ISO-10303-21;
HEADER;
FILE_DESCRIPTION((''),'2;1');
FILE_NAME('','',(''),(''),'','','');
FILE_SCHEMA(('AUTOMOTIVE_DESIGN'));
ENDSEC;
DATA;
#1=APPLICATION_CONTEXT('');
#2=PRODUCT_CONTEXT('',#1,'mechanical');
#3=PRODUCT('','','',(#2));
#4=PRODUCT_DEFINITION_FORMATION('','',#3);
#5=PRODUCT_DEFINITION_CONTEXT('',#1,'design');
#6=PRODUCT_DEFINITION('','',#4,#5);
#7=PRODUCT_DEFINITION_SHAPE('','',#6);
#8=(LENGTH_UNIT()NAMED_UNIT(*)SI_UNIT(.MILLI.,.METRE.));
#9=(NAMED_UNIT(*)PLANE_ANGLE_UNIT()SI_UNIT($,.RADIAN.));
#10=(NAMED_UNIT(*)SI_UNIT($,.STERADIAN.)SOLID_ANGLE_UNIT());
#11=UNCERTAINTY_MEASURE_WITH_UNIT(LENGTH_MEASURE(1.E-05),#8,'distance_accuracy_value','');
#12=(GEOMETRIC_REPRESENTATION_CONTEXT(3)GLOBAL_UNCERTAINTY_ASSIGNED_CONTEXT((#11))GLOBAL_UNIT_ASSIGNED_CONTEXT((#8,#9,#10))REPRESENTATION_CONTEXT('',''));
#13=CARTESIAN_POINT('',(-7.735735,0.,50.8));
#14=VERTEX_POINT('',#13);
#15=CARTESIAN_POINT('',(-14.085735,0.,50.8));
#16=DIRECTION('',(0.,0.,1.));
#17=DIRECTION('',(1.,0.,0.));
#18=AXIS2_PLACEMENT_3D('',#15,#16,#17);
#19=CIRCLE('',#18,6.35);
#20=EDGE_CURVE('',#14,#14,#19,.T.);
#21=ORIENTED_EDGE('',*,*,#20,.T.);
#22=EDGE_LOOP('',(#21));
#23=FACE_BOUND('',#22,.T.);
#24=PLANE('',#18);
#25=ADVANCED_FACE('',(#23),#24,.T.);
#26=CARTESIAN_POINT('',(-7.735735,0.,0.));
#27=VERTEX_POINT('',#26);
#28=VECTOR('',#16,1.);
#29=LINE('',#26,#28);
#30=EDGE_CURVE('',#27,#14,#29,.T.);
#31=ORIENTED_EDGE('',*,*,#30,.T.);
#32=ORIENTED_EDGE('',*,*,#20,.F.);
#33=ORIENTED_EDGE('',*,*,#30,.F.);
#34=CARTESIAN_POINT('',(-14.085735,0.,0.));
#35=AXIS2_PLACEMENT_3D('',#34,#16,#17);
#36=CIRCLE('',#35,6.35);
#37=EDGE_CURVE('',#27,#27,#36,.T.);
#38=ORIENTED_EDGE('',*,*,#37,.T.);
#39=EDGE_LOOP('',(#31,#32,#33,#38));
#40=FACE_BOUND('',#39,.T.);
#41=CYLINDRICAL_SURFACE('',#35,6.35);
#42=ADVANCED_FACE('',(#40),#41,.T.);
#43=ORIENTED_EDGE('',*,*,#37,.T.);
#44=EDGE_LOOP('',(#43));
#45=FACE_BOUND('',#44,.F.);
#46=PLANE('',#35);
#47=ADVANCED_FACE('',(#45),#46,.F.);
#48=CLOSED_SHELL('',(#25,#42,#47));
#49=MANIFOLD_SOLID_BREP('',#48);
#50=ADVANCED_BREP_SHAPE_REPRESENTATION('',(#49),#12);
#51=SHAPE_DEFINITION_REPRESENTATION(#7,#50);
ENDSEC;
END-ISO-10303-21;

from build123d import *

# Parameters (mm, degrees)
F1_R = 6.35


with BuildPart() as f2:
    # F2: sweep along a path in F0
    with BuildLine(Plane.XZ) as f2_path:
        Line((-14.0857346864, 0), (-14.0857346864, 50.8))
    # F1 (on Top) → F2 (sweep)
    with BuildSketch(Plane.XY):
        with Locations((-14.0857346864, 0)):
            Circle(F1_R)
    sweep(path=f2_path.line)


solid = f2.part
